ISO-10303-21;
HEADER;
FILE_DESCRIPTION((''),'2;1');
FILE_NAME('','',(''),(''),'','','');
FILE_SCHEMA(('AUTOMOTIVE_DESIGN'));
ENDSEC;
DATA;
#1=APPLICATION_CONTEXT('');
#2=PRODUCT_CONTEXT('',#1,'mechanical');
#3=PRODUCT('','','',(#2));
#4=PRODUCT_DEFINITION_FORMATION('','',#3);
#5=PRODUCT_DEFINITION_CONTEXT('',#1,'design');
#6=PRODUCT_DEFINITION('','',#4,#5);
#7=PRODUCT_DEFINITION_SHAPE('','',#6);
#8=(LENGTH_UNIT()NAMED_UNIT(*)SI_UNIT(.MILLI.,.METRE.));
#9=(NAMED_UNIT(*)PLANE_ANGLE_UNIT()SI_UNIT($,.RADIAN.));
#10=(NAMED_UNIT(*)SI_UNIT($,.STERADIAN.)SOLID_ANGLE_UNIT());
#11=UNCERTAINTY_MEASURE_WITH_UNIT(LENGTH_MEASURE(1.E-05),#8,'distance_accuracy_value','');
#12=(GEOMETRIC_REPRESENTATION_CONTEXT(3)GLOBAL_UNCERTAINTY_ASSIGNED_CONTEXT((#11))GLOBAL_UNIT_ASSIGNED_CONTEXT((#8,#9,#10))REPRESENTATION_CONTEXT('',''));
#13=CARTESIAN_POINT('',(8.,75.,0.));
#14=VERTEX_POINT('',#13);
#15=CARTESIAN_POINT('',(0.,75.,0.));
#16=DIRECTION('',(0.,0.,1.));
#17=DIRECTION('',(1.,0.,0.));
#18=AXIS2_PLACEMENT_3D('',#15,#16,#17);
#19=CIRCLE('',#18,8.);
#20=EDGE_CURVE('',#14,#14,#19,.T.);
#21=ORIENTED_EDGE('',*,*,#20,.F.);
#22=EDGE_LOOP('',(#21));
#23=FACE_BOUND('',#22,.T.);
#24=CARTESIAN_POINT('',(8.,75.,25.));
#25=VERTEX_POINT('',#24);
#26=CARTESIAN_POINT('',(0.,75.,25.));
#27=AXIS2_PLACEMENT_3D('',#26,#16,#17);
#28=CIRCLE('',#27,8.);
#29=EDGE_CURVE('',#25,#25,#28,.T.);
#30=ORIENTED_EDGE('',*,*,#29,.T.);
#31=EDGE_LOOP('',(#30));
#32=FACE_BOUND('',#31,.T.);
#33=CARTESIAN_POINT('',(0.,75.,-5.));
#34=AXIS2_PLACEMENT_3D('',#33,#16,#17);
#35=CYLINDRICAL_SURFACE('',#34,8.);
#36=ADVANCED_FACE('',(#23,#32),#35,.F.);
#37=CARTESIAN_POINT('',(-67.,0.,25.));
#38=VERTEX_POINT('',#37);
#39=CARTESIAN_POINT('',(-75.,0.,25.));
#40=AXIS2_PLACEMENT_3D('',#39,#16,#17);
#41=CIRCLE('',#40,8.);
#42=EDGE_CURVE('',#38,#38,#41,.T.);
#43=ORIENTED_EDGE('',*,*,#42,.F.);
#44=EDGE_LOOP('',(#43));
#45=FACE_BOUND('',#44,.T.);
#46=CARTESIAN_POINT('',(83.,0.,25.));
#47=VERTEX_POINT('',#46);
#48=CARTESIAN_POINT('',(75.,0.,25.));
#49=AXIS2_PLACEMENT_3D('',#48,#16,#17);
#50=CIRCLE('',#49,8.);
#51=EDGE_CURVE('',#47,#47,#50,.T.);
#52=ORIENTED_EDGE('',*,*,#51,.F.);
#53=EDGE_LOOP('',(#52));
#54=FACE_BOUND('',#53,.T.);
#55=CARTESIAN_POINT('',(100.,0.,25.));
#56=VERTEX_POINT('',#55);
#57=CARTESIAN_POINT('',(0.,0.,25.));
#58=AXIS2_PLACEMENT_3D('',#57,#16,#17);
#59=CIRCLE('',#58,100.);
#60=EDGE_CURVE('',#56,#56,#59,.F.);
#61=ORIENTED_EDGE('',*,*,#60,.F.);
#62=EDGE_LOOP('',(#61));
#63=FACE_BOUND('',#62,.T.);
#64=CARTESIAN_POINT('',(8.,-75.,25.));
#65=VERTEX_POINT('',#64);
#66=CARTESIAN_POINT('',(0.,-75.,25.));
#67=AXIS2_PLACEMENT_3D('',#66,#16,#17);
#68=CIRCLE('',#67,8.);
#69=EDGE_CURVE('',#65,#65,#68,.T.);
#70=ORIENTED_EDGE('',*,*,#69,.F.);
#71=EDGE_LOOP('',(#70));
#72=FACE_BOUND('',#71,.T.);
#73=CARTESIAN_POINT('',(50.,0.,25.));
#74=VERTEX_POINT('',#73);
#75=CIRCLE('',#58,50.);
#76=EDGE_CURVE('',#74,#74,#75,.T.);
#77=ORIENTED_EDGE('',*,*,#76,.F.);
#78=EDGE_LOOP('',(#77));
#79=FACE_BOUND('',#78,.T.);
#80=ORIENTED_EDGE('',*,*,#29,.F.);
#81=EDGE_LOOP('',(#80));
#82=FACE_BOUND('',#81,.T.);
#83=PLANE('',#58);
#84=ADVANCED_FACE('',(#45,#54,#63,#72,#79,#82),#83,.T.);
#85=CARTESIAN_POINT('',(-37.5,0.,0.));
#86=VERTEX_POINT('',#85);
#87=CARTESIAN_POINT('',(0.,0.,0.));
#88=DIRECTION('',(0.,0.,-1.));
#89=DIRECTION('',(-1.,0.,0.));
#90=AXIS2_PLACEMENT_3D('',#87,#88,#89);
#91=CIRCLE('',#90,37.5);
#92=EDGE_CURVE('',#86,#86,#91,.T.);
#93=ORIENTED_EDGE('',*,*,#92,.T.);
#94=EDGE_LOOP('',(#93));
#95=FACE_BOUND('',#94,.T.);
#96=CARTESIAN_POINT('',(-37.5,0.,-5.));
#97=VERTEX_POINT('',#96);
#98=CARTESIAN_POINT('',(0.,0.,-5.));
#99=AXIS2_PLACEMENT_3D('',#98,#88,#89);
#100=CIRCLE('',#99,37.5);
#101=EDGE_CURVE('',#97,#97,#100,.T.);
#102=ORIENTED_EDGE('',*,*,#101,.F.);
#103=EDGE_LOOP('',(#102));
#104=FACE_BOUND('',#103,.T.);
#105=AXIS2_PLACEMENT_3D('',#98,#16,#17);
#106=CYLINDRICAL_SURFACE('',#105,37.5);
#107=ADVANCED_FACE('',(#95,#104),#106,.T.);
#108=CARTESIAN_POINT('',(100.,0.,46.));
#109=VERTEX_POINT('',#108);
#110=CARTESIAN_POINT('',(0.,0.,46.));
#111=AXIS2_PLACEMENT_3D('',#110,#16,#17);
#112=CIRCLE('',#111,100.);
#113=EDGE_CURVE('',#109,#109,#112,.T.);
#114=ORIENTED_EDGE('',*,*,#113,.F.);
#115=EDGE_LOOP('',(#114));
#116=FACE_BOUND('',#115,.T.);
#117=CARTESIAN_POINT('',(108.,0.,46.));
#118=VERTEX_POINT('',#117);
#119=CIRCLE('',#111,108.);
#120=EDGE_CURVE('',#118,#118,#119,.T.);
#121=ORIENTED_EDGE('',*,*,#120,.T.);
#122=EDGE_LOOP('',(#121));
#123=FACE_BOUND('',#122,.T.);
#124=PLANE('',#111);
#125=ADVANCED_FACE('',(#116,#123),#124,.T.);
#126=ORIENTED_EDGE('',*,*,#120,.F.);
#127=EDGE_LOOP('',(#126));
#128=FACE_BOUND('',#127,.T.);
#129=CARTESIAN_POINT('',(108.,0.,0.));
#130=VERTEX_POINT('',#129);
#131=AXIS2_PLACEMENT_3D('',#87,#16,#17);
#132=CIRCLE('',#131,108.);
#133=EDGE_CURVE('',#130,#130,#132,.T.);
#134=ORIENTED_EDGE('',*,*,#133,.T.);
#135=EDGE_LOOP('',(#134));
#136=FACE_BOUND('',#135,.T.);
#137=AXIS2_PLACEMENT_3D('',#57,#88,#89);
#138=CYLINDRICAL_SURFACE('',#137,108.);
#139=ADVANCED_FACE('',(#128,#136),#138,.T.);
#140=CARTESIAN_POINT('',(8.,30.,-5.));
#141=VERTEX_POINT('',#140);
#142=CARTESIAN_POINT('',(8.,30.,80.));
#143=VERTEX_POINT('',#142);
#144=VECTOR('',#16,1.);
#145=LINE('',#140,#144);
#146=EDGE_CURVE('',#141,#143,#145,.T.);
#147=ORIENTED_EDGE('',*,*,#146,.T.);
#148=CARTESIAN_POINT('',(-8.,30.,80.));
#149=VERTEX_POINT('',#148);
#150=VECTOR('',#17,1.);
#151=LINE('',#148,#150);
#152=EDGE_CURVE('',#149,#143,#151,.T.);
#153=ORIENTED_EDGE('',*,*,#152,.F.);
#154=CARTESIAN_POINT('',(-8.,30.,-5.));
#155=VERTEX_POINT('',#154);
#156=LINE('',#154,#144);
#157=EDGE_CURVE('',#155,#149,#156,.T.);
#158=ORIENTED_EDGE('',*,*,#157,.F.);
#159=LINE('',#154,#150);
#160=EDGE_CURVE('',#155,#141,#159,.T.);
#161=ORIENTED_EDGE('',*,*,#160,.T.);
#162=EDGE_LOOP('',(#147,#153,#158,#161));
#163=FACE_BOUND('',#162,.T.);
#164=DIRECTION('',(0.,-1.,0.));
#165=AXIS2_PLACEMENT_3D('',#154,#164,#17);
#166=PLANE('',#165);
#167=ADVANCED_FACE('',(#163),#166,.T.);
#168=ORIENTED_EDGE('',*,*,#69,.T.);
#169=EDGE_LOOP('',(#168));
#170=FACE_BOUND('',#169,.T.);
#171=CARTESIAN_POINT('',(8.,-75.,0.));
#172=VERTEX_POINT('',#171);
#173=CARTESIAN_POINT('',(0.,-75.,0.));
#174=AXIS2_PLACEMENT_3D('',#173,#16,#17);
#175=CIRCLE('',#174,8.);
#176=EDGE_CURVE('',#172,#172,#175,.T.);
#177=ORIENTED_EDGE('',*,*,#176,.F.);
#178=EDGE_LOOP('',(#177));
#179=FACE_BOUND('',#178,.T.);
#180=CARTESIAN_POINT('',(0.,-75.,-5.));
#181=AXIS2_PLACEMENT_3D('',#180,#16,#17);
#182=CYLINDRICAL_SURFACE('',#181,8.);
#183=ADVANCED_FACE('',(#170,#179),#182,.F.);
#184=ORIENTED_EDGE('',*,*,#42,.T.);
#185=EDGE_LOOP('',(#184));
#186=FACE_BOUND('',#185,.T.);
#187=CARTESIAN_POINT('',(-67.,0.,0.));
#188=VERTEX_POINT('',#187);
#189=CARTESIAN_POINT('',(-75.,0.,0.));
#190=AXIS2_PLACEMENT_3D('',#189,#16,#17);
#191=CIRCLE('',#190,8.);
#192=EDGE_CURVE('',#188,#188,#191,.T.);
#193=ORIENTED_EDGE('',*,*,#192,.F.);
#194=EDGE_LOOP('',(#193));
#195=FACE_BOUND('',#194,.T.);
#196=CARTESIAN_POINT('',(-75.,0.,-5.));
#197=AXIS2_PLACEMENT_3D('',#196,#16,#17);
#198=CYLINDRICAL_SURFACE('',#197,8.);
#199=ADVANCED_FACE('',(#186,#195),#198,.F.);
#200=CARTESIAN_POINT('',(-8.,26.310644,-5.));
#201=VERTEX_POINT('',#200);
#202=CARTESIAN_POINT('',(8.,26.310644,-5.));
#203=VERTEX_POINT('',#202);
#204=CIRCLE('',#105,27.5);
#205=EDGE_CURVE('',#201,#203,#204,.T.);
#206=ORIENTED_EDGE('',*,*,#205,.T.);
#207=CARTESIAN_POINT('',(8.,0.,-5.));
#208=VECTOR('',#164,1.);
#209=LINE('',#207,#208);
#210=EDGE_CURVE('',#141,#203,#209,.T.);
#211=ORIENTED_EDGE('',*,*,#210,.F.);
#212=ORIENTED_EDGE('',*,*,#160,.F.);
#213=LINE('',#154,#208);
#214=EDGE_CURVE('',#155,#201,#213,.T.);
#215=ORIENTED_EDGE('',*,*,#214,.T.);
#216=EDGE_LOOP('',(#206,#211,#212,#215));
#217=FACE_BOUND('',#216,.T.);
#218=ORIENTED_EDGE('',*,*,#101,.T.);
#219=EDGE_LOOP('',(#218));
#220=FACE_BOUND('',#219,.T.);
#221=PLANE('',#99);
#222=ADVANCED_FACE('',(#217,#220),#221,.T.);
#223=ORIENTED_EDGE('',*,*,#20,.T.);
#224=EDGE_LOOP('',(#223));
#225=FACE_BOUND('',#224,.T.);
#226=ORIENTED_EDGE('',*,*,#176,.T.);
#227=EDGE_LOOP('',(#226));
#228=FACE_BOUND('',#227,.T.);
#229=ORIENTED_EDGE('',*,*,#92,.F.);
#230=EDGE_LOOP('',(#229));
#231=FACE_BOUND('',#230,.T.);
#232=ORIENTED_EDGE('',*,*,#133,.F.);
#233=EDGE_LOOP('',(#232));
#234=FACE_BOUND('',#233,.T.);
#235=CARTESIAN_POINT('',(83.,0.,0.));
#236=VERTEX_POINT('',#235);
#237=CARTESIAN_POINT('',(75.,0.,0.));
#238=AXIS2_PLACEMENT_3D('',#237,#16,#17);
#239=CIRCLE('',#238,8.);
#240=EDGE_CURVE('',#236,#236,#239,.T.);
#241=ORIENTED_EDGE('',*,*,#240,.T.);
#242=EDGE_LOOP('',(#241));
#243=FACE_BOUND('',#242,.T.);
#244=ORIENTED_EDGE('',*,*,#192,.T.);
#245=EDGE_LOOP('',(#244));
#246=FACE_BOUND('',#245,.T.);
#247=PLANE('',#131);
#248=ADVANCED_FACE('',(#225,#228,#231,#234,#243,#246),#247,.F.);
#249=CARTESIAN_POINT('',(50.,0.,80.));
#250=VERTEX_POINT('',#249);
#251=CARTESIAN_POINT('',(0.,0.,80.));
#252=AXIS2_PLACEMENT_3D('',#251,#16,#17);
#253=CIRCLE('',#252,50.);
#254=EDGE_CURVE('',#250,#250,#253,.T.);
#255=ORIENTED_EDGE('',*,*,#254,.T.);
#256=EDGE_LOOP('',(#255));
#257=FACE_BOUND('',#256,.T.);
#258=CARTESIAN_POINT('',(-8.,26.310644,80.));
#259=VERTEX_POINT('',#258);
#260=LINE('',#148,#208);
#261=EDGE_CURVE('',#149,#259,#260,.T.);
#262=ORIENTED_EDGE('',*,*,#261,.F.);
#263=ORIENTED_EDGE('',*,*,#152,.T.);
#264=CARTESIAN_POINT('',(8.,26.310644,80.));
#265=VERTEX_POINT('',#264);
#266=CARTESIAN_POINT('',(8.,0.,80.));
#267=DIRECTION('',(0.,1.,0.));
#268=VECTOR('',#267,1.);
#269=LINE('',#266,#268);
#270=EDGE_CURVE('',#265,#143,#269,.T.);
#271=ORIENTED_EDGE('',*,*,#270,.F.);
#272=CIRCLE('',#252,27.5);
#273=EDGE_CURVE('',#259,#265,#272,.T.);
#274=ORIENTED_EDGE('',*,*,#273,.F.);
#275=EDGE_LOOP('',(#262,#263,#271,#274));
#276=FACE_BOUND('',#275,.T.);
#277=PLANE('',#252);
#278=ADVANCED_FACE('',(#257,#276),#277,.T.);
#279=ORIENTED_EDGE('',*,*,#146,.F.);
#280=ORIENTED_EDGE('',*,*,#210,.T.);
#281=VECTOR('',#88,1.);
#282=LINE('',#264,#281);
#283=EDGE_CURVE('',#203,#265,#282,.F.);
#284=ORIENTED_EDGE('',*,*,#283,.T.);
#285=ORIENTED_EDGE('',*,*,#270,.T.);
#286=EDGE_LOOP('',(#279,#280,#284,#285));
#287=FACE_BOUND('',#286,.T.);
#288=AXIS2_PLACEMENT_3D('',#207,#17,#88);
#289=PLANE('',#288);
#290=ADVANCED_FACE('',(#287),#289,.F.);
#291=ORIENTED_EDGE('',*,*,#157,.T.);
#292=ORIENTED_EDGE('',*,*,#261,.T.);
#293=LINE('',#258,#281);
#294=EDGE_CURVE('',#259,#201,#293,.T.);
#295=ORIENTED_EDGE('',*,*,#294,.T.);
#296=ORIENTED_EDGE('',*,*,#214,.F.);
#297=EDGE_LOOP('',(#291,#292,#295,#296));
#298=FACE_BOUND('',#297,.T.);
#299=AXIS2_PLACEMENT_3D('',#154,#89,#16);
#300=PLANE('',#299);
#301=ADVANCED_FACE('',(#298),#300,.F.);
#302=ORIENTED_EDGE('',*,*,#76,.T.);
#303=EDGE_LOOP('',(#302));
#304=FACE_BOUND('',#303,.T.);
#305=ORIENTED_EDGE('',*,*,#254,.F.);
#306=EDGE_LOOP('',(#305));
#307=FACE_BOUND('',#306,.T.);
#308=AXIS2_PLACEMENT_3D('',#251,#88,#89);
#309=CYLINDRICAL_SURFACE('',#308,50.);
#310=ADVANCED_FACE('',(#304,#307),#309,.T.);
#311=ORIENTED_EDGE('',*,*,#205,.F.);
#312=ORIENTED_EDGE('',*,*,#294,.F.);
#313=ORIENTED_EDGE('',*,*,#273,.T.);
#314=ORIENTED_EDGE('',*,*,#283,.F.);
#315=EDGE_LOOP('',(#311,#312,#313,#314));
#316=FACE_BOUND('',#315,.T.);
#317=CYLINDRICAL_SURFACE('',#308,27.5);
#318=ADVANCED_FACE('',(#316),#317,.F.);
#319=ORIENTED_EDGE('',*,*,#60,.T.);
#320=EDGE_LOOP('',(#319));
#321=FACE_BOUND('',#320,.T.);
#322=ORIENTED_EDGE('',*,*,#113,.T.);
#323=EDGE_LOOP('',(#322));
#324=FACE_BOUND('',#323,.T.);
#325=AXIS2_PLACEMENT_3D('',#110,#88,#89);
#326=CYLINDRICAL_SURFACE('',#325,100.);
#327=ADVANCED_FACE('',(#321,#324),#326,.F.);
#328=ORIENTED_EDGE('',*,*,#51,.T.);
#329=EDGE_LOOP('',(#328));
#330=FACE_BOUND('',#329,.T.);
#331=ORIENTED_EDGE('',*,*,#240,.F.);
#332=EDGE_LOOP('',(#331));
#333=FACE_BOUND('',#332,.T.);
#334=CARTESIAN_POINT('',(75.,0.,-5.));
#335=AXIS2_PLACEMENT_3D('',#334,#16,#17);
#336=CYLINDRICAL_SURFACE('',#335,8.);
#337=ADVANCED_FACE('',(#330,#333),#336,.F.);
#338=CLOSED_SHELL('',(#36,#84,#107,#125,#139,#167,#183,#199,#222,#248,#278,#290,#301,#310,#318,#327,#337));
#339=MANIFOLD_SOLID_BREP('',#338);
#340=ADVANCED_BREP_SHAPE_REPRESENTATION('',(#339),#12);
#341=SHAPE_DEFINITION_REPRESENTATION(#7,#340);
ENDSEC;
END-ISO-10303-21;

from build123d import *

# Parameters (mm, degrees)
SKETCH1_R           = 108
BOSS_EXTRUDE1_DEPTH = 25
SKETCH2_R           = 108
SKETCH2_R_2         = 100
BOSS_EXTRUDE2_DEPTH = 21
SKETCH3_R           = 50
SKETCH3_R_2         = 27.5
BOSS_EXTRUDE3_DEPTH = 55
SKETCH4_R           = 37.5
BOSS_EXTRUDE4_DEPTH = 5
SKETCH6_R           = 27.5
CUT_EXTRUDE1_DEPTH  = 31
SKETCH7_R           = 8
CUT_EXTRUDE2_DEPTH  = 31
SKETCH9_W           = 16
SKETCH9_H           = 30
CUT_EXTRUDE4_DEPTH  = 86


with BuildPart() as part:
    # Sketch1 → Boss-Extrude1 (new body)
    with BuildSketch(Plane.XY):
        Circle(SKETCH1_R)
    extrude(amount=BOSS_EXTRUDE1_DEPTH)

    # Sketch2 → Boss-Extrude2 (add)
    with BuildSketch(Plane.XY.offset(25)):
        Circle(SKETCH2_R)
        Circle(SKETCH2_R_2, mode=Mode.SUBTRACT)
    extrude(amount=BOSS_EXTRUDE2_DEPTH)

    # Sketch3 → Boss-Extrude3 (add)
    with BuildSketch(Plane.XY.offset(25)):
        Circle(SKETCH3_R)
        Circle(SKETCH3_R_2, mode=Mode.SUBTRACT)
    extrude(amount=BOSS_EXTRUDE3_DEPTH)

    # Sketch4 → Boss-Extrude4 (add)
    with BuildSketch(Plane(origin=(0, 0, 0), x_dir=(-1, 0, 0), z_dir=(0, 0, -1))):
        Circle(SKETCH4_R)
    extrude(amount=BOSS_EXTRUDE4_DEPTH)

    # Sketch6 → Cut-Extrude1 (cut, through all)
    with BuildSketch(Plane.XY.offset(25)):
        Circle(SKETCH6_R)
    extrude(amount=-CUT_EXTRUDE1_DEPTH, mode=Mode.SUBTRACT)

    # Sketch7 → Cut-Extrude2 (cut, through all)
    with BuildSketch(Plane.XY.offset(25)):
        with Locations((0, 75)):
            Circle(SKETCH7_R)
        with Locations((75, 0)):
            Circle(SKETCH7_R)
        with Locations((0, -75)):
            Circle(SKETCH7_R)
        with Locations((-75, 0)):
            Circle(SKETCH7_R)
    extrude(amount=-CUT_EXTRUDE2_DEPTH, mode=Mode.SUBTRACT)

    # Sketch9 → Cut-Extrude4 (cut, through all)
    with BuildSketch(Plane.XY.offset(80)):
        with Locations((0, 15)):
            Rectangle(SKETCH9_W, SKETCH9_H)
    extrude(amount=-CUT_EXTRUDE4_DEPTH, mode=Mode.SUBTRACT)


solid = part.part
